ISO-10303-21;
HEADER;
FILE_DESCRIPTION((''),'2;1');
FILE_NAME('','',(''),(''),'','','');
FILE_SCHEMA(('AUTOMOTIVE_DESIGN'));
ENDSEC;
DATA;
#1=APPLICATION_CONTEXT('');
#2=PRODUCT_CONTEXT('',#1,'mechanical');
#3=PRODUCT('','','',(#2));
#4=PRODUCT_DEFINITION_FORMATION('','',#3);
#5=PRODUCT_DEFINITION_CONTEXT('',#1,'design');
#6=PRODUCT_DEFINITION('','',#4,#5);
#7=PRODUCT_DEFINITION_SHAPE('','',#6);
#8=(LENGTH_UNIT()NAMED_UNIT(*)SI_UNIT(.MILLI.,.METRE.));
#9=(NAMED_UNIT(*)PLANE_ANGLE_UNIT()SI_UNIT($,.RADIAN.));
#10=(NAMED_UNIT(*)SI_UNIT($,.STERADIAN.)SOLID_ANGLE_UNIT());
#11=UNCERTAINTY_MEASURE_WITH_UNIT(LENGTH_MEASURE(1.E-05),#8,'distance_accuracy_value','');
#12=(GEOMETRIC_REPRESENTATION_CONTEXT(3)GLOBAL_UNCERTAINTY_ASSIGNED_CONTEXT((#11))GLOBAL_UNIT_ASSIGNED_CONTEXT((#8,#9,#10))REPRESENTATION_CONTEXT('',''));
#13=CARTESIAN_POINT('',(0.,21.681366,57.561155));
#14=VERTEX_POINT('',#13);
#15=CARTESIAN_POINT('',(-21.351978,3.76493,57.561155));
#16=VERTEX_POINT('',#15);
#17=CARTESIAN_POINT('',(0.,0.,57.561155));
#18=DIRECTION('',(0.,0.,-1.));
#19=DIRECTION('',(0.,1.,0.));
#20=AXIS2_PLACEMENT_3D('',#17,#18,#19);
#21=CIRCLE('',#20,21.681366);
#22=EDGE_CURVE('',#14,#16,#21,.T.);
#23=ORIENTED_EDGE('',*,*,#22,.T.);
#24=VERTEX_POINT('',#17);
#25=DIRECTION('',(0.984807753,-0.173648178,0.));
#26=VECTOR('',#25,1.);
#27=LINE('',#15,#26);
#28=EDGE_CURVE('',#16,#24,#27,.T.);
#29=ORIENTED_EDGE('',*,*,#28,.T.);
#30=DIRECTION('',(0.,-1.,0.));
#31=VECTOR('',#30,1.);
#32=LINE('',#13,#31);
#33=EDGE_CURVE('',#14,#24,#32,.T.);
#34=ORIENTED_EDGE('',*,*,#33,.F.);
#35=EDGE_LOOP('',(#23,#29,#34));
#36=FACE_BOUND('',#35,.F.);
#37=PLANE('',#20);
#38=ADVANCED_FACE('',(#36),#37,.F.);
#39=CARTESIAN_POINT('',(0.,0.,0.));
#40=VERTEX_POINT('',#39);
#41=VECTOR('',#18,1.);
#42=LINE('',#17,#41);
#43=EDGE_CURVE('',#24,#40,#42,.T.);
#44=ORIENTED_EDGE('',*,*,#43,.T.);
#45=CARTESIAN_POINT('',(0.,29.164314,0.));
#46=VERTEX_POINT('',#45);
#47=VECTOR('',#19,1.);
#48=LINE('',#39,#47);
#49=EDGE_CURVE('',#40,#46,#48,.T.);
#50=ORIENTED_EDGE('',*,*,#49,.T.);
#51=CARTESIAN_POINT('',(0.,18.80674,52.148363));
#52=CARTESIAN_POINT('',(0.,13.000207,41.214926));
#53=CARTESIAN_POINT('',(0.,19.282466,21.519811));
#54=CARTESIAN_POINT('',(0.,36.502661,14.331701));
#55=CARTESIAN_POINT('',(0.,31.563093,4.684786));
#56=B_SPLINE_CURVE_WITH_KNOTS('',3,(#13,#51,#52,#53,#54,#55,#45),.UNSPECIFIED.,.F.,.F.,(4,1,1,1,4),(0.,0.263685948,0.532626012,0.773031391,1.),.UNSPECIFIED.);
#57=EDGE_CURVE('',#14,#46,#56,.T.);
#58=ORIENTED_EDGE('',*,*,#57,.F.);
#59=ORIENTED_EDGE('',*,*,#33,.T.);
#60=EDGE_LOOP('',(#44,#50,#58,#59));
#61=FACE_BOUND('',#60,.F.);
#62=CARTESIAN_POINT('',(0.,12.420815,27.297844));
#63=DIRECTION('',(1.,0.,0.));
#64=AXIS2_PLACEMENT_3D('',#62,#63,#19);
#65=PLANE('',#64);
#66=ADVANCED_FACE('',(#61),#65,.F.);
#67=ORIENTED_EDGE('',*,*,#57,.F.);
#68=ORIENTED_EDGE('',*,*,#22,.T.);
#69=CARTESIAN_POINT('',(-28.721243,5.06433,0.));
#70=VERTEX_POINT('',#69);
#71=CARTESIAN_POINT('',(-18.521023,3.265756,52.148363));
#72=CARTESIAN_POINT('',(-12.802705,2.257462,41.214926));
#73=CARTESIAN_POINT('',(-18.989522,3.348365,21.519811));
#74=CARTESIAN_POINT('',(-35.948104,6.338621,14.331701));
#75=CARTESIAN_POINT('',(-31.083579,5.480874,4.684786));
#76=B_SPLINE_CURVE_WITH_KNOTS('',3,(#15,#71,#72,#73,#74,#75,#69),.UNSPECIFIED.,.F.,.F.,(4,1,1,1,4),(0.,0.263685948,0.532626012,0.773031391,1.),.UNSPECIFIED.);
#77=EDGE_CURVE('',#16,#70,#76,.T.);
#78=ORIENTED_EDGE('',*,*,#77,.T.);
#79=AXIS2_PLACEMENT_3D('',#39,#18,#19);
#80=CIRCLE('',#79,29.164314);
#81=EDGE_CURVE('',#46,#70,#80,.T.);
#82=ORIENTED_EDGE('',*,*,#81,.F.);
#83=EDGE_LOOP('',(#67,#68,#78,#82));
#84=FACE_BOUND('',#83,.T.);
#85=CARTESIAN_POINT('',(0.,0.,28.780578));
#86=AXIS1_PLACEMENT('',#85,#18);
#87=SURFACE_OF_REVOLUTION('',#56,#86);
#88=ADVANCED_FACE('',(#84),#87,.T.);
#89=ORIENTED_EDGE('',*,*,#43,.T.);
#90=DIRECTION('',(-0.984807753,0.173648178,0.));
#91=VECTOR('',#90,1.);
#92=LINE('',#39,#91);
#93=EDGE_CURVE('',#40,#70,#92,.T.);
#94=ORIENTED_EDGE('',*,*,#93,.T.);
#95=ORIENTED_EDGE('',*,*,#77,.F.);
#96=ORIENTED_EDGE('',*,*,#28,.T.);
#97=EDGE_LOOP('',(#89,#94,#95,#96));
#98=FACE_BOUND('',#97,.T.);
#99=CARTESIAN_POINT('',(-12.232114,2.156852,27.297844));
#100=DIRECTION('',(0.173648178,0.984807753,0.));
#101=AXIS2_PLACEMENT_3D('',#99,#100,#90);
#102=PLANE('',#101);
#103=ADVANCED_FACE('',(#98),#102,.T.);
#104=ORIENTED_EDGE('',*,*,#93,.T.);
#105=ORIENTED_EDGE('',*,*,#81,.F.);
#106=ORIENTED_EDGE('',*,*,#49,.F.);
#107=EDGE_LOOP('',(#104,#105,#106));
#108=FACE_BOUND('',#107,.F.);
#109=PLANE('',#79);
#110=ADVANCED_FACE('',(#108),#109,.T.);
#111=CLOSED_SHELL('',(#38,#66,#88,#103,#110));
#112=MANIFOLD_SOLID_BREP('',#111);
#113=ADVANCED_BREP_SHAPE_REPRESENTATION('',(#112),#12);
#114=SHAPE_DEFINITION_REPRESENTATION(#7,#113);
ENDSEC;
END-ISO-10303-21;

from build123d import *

# Parameters (mm, degrees)
F1_ANGLE = 280


with BuildPart() as f1:
    # F0 (on Right) → F1 (revolve)
    with BuildSketch(Plane.YZ):
        with BuildLine():
            Line((0, 57.5611554086), (0, 0))
            Line((0, 0), (29.16431427, 0))
            add(Edge.make_bspline(
                [(21.6813664883, 57.5611554086), (18.8067395897, 52.1483634575), (13.0002069603, 41.2149261146), (19.282465858, 21.519811466), (36.502661385, 14.3317014717), (31.5630932628, 4.6847858084), (29.16431427, 0)],
                knots=[0, 0, 0, 0, 0.2636859479, 0.5326260117, 0.7730313912, 1, 1, 1, 1], degree=3))
            Line((21.6813664883, 57.5611554086), (0, 57.5611554086))
        make_face()
    revolve(axis=Axis((0, 0, 28.7805777043), (0, 0, -1)), revolution_arc=F1_ANGLE)


solid = f1.part
